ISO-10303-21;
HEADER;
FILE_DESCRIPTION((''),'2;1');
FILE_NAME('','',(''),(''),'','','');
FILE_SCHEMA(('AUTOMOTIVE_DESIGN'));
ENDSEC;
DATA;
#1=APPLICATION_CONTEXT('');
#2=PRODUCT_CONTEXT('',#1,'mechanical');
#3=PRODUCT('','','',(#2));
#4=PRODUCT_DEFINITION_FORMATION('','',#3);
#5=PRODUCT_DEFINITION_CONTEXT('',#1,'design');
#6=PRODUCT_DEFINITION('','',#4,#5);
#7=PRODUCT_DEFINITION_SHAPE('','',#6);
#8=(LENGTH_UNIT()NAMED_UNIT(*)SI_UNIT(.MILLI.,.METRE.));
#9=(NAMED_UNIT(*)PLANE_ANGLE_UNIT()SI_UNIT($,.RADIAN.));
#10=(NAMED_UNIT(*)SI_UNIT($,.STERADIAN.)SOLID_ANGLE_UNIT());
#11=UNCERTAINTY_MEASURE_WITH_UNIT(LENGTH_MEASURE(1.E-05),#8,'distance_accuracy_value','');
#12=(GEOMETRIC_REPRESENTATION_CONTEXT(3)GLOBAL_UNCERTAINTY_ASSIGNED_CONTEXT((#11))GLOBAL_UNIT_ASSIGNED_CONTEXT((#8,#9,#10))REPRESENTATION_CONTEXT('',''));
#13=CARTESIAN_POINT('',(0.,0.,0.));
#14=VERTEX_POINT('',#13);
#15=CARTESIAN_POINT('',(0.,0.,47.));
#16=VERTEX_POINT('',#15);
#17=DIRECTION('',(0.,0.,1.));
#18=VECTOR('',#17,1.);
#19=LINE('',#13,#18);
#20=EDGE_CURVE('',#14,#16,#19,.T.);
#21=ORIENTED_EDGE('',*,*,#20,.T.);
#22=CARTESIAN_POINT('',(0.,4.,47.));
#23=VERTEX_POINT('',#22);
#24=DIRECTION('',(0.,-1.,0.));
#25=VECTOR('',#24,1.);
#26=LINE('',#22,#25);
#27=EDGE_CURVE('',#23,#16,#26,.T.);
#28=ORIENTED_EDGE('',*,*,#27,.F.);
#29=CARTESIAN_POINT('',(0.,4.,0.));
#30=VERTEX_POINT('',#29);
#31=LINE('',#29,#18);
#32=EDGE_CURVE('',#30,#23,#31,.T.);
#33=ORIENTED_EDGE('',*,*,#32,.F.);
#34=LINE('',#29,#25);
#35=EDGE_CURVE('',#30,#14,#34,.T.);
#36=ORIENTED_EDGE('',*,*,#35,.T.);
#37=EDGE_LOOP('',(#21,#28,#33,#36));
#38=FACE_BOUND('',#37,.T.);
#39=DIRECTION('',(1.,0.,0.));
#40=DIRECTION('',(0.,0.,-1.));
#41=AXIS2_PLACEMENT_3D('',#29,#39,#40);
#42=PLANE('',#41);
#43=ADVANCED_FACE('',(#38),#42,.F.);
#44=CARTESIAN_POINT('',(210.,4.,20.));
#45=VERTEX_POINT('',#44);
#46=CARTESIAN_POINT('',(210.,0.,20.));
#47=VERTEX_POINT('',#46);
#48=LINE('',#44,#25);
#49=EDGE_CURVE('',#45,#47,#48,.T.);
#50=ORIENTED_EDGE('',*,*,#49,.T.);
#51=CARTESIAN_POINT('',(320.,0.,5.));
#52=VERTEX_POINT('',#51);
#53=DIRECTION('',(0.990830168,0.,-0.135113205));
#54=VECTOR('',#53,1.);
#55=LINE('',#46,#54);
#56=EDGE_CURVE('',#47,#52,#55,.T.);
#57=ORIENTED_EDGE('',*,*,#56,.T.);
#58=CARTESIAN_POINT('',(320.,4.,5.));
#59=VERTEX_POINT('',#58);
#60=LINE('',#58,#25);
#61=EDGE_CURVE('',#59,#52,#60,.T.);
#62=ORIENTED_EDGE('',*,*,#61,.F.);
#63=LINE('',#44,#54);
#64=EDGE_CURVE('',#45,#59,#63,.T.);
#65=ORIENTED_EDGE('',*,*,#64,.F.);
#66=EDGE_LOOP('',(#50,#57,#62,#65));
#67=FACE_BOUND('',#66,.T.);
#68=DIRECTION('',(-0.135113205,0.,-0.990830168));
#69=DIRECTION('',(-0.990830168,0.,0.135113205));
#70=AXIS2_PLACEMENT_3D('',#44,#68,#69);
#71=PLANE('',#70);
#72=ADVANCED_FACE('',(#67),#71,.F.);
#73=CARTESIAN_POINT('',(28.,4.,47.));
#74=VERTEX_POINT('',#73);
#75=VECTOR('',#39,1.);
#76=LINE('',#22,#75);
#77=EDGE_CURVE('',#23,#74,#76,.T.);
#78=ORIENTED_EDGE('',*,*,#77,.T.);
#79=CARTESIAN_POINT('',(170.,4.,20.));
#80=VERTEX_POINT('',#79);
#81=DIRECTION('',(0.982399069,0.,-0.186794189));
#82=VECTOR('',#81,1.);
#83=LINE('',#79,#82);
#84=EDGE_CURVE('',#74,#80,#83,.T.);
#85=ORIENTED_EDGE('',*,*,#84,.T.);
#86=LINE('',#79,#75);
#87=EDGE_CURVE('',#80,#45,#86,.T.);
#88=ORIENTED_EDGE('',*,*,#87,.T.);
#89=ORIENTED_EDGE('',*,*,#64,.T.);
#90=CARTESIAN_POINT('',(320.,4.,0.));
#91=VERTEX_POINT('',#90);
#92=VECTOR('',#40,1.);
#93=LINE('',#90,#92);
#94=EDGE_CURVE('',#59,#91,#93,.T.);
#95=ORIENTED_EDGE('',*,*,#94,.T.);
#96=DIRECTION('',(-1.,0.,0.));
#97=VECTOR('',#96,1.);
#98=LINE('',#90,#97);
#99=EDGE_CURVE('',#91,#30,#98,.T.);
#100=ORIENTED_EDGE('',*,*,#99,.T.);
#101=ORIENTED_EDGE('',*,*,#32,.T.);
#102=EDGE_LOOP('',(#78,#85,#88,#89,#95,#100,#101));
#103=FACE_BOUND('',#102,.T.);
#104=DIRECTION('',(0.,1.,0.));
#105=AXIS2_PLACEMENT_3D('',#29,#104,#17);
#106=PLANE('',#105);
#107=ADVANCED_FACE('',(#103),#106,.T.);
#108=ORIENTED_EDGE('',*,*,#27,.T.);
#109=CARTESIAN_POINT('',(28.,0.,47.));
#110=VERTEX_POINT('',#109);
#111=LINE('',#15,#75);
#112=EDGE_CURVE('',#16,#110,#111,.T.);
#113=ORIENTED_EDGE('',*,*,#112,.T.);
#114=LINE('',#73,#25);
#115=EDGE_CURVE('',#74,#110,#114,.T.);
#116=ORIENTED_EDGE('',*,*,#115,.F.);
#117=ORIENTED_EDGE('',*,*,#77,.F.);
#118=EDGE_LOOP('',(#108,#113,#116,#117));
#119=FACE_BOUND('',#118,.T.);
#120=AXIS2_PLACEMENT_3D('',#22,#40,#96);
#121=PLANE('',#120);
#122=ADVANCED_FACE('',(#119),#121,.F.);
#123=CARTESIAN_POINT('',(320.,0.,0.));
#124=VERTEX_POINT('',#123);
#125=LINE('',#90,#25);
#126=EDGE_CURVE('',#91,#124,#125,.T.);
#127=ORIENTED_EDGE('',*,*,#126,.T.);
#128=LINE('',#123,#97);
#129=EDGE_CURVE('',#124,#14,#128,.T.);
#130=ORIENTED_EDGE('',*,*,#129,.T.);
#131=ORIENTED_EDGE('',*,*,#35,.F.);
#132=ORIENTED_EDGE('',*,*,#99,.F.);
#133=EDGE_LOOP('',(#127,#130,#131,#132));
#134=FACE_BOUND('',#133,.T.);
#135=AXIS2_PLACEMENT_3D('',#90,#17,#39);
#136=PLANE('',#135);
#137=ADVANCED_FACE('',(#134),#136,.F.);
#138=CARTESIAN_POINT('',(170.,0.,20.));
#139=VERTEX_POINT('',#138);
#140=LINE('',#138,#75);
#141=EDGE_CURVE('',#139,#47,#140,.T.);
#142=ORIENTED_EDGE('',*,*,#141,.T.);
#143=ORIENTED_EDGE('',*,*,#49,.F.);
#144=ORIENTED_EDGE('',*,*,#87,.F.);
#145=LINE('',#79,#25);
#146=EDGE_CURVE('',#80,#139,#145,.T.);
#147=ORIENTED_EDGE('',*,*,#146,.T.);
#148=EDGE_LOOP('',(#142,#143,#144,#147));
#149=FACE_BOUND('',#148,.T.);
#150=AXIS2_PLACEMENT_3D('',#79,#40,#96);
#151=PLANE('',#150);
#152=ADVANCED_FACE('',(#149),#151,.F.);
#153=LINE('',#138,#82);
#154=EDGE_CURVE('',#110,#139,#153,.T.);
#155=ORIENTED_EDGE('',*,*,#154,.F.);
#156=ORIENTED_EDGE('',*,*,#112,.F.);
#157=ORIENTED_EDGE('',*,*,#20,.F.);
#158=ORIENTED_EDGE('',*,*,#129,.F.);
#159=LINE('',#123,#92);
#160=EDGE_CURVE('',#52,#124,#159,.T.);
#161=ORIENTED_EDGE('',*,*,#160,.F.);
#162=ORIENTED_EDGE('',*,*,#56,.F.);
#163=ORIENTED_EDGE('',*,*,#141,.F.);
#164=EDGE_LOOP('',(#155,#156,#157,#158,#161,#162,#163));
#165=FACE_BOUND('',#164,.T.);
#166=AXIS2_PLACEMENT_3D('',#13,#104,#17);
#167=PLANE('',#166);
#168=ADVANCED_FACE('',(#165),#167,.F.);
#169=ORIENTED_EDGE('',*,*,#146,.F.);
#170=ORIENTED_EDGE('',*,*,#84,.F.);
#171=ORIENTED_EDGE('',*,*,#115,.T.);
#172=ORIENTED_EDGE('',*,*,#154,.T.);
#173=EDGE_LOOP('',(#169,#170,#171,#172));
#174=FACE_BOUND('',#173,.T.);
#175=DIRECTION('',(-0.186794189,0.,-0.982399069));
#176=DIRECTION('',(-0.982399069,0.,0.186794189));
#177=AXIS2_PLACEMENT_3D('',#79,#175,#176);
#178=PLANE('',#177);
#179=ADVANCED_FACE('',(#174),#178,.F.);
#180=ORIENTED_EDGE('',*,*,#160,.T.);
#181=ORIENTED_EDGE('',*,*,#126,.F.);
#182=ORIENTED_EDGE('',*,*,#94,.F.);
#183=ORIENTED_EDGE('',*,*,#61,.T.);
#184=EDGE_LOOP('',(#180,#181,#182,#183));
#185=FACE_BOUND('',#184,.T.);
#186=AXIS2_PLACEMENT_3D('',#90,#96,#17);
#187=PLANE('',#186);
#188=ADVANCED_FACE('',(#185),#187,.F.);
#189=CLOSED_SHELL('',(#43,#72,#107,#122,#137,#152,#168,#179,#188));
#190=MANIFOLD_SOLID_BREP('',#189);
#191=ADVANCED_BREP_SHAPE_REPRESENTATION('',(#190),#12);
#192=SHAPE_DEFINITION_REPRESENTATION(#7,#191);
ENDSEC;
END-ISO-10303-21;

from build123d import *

# Parameters (mm, degrees)
BOSS_EXTRUDE1_DEPTH = 4


with BuildPart() as part:
    # Sketch1 → Boss-Extrude1 (new body)
    with BuildSketch(Plane(origin=(0, 0, 0), x_dir=(1, 0, 0), z_dir=(0, 1, 0))):
        Polygon((0, 0), (0, -47), (28, -47), (170, -20), (210, -20), (320, -5), (320, 0), align=None)
    extrude(amount=BOSS_EXTRUDE1_DEPTH)


solid = part.part
